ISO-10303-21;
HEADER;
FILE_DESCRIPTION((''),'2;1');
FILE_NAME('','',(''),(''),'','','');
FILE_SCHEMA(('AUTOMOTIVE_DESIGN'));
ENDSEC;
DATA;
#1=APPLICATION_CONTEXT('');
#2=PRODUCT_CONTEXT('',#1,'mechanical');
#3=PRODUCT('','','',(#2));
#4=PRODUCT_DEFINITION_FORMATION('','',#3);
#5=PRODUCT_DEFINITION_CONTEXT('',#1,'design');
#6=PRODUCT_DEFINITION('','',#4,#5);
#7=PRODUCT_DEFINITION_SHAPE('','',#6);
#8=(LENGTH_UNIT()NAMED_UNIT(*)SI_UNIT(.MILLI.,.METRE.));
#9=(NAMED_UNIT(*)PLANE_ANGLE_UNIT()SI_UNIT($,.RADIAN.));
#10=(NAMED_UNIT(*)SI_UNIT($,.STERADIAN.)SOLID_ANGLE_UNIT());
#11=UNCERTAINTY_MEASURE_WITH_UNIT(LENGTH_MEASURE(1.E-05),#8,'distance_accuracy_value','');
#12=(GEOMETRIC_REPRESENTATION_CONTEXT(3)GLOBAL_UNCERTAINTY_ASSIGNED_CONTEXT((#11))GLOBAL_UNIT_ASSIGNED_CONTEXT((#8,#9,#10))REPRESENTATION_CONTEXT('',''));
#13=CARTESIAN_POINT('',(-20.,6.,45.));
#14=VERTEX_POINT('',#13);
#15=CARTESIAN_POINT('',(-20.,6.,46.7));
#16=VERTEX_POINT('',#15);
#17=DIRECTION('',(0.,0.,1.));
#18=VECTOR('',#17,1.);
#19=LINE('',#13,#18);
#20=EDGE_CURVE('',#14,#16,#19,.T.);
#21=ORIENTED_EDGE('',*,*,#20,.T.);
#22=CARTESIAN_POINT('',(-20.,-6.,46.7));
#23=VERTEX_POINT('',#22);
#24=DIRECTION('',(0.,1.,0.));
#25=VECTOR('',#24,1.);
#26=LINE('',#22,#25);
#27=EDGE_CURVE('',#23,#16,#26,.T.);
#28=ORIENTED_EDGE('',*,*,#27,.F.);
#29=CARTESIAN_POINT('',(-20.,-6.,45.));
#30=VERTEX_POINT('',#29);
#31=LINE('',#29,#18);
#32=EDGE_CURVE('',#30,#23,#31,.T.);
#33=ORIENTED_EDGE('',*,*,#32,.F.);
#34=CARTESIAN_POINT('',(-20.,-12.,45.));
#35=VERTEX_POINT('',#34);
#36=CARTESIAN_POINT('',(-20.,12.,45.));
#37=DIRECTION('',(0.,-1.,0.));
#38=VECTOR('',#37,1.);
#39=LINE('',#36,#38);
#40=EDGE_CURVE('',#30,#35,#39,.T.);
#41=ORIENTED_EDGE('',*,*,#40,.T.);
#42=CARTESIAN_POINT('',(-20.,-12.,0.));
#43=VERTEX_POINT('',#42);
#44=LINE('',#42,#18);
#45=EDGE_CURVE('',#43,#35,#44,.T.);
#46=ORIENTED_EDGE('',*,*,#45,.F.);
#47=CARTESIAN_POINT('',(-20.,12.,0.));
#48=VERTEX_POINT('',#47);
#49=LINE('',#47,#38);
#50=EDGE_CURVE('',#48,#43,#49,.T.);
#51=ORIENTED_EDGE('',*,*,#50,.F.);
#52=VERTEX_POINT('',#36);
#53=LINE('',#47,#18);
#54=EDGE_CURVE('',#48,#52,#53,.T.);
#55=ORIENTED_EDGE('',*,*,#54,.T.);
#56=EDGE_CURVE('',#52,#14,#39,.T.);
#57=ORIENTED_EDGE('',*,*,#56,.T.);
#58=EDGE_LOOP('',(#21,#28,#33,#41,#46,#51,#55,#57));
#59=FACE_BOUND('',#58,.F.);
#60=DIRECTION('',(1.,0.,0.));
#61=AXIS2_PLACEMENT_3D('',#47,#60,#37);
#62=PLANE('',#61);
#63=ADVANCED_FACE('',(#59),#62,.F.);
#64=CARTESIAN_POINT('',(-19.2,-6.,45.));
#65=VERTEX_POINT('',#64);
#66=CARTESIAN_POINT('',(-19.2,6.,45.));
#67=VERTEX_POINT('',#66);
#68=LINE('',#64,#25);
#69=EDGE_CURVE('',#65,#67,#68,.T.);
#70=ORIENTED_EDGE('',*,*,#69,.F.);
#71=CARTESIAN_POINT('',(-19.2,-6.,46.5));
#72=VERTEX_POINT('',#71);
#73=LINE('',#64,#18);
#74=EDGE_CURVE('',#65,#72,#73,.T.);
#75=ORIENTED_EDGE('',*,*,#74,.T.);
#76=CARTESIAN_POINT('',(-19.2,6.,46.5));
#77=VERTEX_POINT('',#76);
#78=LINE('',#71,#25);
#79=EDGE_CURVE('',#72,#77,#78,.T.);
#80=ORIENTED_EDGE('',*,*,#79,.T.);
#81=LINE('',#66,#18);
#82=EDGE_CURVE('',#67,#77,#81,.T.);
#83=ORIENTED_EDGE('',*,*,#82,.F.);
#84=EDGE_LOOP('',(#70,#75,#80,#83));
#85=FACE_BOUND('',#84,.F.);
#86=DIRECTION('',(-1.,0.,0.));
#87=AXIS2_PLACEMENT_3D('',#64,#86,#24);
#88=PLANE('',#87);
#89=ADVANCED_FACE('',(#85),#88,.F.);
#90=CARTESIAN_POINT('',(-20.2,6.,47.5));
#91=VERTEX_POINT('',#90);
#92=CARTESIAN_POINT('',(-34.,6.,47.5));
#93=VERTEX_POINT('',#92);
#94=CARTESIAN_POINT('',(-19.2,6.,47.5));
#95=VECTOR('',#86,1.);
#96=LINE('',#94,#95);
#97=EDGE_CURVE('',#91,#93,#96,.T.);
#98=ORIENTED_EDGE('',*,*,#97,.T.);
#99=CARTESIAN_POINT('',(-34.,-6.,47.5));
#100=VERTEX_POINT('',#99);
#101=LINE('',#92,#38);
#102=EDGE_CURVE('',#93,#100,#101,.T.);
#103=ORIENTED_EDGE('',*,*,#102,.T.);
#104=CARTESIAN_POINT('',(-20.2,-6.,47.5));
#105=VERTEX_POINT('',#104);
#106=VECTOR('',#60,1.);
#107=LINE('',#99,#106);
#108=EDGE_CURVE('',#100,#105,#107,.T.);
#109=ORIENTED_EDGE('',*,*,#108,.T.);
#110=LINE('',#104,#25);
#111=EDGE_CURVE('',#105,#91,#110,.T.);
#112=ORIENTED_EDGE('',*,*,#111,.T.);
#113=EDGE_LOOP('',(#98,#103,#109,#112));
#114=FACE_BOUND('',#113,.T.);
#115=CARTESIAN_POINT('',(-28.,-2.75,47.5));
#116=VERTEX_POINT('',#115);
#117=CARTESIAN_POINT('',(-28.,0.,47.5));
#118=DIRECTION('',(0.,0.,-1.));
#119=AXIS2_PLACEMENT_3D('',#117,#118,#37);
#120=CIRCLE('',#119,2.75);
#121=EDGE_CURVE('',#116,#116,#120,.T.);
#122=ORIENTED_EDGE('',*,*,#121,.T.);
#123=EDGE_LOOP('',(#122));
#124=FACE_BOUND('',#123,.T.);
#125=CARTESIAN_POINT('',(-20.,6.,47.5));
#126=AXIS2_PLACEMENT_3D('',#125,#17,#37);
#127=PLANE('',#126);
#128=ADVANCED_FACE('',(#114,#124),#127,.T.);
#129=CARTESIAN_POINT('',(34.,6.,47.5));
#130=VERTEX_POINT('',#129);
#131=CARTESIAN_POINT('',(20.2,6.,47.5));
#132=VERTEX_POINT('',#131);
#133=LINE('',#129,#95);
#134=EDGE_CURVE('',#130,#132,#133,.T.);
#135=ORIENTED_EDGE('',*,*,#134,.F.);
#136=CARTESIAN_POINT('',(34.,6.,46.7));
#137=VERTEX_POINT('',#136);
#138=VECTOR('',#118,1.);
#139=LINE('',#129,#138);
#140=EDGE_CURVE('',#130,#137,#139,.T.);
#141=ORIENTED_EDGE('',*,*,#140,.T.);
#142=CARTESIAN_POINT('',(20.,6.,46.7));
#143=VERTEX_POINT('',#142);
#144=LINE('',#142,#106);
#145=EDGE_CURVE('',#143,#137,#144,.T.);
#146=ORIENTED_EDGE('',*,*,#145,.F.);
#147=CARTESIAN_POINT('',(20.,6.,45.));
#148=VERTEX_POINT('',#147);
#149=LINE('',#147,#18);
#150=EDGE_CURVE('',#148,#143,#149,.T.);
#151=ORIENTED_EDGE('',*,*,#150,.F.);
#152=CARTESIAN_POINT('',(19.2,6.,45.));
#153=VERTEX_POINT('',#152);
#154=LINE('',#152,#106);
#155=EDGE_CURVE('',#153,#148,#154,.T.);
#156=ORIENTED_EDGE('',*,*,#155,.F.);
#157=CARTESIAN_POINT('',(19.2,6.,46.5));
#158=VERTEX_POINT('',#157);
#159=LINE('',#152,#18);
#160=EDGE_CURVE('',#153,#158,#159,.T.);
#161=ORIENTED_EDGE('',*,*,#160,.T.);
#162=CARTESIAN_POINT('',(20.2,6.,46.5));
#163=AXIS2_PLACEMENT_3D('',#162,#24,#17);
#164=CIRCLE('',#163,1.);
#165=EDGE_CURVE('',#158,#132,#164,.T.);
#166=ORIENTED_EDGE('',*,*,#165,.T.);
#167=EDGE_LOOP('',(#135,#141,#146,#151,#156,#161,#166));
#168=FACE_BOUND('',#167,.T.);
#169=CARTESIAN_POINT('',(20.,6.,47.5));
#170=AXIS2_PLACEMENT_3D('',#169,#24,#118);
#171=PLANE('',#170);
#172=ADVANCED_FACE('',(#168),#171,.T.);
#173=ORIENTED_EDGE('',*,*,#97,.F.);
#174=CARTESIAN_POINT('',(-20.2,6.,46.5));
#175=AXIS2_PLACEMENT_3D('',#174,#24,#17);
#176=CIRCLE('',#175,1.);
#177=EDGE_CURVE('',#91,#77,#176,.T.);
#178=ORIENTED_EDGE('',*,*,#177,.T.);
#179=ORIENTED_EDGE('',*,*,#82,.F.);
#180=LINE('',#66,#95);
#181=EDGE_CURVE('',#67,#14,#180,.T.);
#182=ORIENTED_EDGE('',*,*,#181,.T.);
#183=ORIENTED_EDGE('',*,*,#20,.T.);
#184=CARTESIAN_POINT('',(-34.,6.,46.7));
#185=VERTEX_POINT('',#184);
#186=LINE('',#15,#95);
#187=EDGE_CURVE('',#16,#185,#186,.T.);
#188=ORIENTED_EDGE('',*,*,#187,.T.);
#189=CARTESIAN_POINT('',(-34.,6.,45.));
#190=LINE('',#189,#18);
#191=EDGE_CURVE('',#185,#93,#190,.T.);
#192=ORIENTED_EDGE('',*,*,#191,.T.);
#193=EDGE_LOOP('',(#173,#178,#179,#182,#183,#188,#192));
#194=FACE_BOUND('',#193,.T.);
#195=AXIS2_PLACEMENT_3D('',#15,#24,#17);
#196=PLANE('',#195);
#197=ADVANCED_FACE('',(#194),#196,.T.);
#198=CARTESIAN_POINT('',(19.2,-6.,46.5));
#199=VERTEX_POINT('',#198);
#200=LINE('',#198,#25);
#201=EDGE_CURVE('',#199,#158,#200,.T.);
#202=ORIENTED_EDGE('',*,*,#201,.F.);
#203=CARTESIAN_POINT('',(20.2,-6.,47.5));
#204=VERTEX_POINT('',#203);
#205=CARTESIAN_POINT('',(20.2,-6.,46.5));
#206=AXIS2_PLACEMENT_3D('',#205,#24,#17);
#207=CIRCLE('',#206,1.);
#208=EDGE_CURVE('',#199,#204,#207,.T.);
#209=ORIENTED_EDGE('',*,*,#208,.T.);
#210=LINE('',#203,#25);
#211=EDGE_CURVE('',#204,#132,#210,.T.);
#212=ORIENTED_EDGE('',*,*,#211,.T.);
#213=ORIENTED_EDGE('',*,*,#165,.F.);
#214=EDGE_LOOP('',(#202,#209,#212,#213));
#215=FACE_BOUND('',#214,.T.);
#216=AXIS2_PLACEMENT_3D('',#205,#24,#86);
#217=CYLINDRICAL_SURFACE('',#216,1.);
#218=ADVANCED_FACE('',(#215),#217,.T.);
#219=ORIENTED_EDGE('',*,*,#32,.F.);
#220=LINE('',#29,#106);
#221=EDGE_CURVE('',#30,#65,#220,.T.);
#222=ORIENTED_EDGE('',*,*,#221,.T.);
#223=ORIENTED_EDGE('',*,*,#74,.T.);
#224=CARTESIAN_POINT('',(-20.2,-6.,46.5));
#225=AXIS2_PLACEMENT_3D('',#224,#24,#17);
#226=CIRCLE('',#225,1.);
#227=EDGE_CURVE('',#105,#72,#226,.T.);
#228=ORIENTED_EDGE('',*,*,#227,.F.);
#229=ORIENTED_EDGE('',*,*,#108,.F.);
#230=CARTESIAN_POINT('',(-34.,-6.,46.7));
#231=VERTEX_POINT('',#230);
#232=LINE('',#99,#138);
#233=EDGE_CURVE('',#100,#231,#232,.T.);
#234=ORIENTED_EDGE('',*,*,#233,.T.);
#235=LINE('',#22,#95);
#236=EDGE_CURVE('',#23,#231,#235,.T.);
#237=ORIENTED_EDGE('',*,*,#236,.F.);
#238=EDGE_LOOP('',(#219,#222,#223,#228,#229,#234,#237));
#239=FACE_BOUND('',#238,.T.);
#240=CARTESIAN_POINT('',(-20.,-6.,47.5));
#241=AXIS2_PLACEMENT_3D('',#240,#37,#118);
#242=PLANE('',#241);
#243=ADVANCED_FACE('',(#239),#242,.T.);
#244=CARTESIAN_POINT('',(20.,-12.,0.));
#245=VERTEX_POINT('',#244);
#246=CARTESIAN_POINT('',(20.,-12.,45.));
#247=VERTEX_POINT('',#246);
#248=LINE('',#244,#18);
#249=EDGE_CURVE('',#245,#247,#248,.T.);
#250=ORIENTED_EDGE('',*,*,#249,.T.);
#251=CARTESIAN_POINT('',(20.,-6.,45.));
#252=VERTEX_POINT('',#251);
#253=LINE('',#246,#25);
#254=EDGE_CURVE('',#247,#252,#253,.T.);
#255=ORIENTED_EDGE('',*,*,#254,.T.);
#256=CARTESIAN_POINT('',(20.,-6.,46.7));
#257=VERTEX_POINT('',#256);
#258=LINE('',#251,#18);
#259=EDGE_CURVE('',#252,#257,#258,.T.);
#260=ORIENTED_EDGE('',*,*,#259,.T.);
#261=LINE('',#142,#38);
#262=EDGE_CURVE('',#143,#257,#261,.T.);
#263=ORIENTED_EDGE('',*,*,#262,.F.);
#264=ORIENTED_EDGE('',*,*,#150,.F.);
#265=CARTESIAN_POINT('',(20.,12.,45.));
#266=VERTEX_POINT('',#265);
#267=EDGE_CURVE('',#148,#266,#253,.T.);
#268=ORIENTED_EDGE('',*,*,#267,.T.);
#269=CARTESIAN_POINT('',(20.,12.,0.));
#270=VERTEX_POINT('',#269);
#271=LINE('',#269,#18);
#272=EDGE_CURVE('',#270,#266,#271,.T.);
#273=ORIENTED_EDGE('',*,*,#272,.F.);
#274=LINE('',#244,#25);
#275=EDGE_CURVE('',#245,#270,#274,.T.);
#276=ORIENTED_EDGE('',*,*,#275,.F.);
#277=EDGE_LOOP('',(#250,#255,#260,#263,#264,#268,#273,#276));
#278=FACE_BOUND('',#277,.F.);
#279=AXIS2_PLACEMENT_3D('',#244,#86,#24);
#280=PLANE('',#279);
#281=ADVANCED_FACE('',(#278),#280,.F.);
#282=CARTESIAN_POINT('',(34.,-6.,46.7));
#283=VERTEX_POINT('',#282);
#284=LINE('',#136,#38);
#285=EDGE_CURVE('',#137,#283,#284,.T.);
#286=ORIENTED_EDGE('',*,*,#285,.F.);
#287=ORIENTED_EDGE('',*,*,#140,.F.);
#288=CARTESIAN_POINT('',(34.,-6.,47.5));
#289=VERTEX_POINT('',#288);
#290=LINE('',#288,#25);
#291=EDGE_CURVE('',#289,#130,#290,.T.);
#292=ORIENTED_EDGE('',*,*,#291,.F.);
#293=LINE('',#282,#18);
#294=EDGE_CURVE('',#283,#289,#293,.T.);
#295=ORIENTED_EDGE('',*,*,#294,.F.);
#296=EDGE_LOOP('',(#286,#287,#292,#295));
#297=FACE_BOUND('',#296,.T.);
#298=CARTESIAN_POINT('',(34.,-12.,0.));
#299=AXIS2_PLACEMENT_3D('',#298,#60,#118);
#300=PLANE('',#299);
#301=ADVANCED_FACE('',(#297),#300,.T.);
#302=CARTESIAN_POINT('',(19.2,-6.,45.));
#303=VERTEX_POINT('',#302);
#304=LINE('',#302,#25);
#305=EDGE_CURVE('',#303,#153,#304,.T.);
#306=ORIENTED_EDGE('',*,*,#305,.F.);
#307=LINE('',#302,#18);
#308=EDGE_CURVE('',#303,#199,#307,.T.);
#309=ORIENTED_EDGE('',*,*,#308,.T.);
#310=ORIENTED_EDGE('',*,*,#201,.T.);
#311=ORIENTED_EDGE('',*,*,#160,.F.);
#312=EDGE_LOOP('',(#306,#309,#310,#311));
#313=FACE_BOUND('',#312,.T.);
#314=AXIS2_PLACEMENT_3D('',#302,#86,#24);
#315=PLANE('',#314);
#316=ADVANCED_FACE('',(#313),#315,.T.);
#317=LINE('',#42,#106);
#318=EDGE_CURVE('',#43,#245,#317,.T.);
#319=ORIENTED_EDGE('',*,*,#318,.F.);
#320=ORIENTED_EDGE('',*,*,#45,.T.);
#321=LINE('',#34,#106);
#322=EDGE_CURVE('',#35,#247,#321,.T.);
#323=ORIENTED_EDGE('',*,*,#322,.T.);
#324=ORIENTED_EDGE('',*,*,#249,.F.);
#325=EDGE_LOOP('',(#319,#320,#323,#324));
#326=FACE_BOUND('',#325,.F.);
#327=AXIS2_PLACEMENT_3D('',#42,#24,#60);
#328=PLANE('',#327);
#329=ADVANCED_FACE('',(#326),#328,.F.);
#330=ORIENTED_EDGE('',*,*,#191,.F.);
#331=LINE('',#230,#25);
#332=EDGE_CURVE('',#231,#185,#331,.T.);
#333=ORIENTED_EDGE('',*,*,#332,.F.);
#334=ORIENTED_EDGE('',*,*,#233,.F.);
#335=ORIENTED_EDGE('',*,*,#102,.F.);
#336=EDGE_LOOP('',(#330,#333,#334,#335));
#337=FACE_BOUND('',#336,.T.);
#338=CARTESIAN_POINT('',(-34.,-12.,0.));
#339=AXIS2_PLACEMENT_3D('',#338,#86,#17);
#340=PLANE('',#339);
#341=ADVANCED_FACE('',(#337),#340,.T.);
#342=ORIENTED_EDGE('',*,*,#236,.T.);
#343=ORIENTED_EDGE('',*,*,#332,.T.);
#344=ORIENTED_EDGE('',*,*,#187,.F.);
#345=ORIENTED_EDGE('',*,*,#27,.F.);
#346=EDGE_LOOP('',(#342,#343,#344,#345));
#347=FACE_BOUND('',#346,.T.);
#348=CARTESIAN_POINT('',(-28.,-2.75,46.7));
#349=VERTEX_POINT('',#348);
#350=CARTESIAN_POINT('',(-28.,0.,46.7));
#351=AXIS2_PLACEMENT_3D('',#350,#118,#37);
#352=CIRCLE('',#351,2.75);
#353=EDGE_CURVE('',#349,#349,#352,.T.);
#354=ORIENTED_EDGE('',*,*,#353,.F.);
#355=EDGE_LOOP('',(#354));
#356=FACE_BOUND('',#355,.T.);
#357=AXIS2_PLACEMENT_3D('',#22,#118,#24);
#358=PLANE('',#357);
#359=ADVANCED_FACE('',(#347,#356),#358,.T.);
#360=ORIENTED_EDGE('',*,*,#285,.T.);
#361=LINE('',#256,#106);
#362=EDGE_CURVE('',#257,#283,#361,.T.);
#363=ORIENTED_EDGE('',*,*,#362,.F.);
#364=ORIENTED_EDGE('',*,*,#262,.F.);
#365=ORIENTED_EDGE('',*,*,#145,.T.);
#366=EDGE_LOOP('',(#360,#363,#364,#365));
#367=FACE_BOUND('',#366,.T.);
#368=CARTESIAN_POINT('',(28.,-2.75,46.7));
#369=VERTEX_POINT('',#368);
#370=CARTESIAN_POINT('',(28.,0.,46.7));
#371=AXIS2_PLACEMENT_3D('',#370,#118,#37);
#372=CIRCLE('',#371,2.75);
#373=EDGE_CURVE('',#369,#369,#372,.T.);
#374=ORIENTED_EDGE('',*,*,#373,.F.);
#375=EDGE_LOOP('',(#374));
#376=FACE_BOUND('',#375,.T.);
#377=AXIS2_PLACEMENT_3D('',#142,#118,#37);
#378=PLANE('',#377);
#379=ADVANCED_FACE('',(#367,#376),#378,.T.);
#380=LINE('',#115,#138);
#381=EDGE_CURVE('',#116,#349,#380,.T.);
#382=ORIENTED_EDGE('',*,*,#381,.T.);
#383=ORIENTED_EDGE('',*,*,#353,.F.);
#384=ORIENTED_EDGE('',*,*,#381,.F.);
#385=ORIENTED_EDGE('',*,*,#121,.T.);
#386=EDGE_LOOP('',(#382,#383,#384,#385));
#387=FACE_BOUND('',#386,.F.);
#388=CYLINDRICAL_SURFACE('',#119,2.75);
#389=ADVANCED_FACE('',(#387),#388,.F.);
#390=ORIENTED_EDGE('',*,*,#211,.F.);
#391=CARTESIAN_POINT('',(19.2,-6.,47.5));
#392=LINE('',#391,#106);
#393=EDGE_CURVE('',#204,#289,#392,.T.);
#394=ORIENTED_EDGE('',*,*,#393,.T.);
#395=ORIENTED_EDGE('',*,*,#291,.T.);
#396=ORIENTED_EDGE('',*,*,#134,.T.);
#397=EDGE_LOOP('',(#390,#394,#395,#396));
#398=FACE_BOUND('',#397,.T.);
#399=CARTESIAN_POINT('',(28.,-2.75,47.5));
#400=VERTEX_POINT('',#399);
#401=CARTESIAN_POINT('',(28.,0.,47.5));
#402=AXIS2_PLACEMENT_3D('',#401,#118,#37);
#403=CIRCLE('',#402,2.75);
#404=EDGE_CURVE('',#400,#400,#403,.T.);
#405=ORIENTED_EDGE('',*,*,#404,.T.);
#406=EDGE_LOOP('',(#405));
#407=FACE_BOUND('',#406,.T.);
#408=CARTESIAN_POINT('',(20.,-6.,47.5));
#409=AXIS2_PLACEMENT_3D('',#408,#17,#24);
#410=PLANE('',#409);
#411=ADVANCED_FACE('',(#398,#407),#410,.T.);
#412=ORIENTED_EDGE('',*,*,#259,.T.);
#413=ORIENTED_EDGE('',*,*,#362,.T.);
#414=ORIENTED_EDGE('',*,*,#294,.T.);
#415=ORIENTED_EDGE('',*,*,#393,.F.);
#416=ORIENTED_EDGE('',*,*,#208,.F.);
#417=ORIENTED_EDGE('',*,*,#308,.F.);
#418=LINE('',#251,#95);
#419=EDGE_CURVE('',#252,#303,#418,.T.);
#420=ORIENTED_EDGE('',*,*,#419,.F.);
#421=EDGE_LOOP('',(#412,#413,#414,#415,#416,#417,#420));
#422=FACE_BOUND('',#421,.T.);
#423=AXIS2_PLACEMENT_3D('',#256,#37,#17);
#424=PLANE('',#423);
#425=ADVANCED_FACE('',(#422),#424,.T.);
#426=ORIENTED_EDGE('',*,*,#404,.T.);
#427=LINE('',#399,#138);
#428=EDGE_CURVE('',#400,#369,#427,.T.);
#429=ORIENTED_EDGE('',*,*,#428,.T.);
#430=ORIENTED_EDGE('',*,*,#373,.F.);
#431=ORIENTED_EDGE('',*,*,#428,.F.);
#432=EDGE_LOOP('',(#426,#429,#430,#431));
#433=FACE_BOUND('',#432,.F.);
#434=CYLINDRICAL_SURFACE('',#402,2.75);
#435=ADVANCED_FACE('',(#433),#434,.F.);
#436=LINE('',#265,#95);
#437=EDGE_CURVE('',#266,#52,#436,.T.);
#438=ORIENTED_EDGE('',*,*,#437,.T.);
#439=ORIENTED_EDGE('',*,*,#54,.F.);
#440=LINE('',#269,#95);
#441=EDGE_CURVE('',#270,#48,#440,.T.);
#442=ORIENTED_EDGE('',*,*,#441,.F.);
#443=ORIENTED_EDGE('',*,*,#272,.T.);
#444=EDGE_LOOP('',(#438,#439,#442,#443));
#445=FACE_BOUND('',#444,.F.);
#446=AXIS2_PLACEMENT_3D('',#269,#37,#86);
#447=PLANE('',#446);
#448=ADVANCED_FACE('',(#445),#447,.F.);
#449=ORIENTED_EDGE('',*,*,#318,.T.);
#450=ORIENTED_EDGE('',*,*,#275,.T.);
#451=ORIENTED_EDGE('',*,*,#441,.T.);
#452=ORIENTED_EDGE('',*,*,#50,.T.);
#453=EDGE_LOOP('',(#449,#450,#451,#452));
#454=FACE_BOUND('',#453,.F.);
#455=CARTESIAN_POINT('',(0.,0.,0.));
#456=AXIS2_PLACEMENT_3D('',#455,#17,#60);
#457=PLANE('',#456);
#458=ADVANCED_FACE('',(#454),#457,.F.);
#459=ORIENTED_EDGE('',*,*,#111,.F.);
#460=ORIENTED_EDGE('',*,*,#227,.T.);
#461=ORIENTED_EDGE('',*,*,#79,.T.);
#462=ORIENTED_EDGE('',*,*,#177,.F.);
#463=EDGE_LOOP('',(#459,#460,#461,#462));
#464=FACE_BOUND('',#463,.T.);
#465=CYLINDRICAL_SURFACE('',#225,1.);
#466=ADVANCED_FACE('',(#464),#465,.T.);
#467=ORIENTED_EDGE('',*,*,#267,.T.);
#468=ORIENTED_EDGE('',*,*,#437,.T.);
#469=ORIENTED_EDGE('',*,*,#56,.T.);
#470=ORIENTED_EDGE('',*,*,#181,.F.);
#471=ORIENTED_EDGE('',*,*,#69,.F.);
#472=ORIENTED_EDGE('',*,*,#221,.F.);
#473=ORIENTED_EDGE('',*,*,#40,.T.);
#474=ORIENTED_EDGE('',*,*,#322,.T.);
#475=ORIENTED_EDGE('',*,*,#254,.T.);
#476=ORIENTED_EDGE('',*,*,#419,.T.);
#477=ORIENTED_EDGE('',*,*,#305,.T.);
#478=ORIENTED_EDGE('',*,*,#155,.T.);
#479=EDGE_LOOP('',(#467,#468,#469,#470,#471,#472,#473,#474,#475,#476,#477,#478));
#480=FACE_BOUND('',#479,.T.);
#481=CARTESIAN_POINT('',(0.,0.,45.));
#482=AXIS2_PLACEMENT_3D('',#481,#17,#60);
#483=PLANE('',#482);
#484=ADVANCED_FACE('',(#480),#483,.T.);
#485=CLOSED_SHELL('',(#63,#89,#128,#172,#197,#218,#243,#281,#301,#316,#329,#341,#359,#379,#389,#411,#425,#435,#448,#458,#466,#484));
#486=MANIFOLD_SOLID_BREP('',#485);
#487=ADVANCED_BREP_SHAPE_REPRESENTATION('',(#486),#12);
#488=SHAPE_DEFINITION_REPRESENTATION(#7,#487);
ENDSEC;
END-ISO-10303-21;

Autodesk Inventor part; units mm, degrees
ref_plane "YZ Plane" through (0, 0, 0) normal (1, 0, 0) x (0, 1, 0)
ref_plane "XZ Plane" through (0, 0, 0) normal (0, 1, 0) x (-1, 0, 0)
ref_plane "XY Plane" through (0, 0, 0) normal (0, 0, 1) x (1, 0, 0)
sketch "Sketch1" plane through (0, 0, 0) normal (0, 0, 1) x (1, 0, 0)
  line L0 (-20, -12) -> (20, -12)
  line L1 (20, -12) -> (20, 12)
  line L2 (20, 12) -> (-20, 12)
  line L3 (-20, 12) -> (-20, -12)
  line L4 (-20, -12) -> (20, 12) construction
  line L5 (20, -12) -> (-20, 12) construction
  point P0 (0, 0)
  dimension "d0" = 40
  dimension "d1" = 24
extrude "Extrusion1" add sketch "Sketch1" along normal blind 45
sketch "Sketch2" plane through (0, 0, 45) normal (0, 0, 1) x (1, 0, 0)
  line L0 (-20, -6) -> (-19.2, -6)
  line L1 (-19.2, -6) -> (-19.2, 6)
  line L2 (-19.2, 6) -> (-20, 6)
  line L3 (-20, 6) -> (-20, -6)
  line L4 (20, -12) -> (20, 12) projected
  line L5 (20, -6) -> (19.2, -6)
  line L6 (19.2, -6) -> (19.2, 6)
  line L7 (19.2, 6) -> (20, 6)
  line L8 (20, 6) -> (20, -6)
  point P0 (0, 0)
  point P1 (-20, 12)
  point P2 (-19.2, 0)
  point P3 (19.2, 0)
  dimension "d4" = 12
  dimension "d5" = 0.8
  dimension "d6" = 0.8
extrude "Extrusion2" add sketch "Sketch2" along normal blind 2.5
sketch "Sketch3" plane through (20, -12, 0) normal (1, 0, 0) x (0, 0, -1)
  line L0 (-47.5, 6) -> (-47.5, 18) projected
  line L1 (-47.5, 18) -> (-46.7, 18)
  line L2 (-46.7, 18) -> (-46.7, 6)
  line L3 (-46.7, 6) -> (-47.5, 6)
  line L4 (-47.5, 6) -> (-47.5, 18)
  point P0 (0, 12)
  dimension "d9" = 0.8
extrude "Extrusion3" add sketch "Sketch3" along normal blind 14
sketch "Sketch4" plane through (-20, -12, 0) normal (-1, 0, 0) x (0, 0, 1)
  line L0 (47.5, 18) -> (47.5, 6) projected
  line L1 (45, 18) -> (47.5, 18) projected
  line L2 (47.5, 6) -> (46.7, 6)
  line L3 (46.7, 6) -> (46.7, 18)
  line L4 (46.7, 18) -> (47.5, 18)
  line L5 (47.5, 18) -> (47.5, 6)
  point P0 (0, 12)
  dimension "d12" = 0.8
extrude "Extrusion4" add sketch "Sketch4" along normal blind 14
sketch "Sketch5" plane through (0, 0, 47.5) normal (0, 0, 1) x (1, 0, 0)
  line L0 (-28, 0) -> (28, 0) construction
  point P0 (0, 0)
  point P1 (0, 0)
  dimension "d15" = 56
hole "Hole1" at (-28, 0, 47.5) at (28, 0, 47.5) direction (0, 0, -1) diameter 5.5 end through all clearance for "Countersunk Flat Head Screw DIN EN ISO 2009" size "M5" standard "DIN"
fillet "Fillet1" radius 1 2 edges at (19.2, 0, 47.5) (-19.2, 0, 47.5)
properties part number "Snmubber"
